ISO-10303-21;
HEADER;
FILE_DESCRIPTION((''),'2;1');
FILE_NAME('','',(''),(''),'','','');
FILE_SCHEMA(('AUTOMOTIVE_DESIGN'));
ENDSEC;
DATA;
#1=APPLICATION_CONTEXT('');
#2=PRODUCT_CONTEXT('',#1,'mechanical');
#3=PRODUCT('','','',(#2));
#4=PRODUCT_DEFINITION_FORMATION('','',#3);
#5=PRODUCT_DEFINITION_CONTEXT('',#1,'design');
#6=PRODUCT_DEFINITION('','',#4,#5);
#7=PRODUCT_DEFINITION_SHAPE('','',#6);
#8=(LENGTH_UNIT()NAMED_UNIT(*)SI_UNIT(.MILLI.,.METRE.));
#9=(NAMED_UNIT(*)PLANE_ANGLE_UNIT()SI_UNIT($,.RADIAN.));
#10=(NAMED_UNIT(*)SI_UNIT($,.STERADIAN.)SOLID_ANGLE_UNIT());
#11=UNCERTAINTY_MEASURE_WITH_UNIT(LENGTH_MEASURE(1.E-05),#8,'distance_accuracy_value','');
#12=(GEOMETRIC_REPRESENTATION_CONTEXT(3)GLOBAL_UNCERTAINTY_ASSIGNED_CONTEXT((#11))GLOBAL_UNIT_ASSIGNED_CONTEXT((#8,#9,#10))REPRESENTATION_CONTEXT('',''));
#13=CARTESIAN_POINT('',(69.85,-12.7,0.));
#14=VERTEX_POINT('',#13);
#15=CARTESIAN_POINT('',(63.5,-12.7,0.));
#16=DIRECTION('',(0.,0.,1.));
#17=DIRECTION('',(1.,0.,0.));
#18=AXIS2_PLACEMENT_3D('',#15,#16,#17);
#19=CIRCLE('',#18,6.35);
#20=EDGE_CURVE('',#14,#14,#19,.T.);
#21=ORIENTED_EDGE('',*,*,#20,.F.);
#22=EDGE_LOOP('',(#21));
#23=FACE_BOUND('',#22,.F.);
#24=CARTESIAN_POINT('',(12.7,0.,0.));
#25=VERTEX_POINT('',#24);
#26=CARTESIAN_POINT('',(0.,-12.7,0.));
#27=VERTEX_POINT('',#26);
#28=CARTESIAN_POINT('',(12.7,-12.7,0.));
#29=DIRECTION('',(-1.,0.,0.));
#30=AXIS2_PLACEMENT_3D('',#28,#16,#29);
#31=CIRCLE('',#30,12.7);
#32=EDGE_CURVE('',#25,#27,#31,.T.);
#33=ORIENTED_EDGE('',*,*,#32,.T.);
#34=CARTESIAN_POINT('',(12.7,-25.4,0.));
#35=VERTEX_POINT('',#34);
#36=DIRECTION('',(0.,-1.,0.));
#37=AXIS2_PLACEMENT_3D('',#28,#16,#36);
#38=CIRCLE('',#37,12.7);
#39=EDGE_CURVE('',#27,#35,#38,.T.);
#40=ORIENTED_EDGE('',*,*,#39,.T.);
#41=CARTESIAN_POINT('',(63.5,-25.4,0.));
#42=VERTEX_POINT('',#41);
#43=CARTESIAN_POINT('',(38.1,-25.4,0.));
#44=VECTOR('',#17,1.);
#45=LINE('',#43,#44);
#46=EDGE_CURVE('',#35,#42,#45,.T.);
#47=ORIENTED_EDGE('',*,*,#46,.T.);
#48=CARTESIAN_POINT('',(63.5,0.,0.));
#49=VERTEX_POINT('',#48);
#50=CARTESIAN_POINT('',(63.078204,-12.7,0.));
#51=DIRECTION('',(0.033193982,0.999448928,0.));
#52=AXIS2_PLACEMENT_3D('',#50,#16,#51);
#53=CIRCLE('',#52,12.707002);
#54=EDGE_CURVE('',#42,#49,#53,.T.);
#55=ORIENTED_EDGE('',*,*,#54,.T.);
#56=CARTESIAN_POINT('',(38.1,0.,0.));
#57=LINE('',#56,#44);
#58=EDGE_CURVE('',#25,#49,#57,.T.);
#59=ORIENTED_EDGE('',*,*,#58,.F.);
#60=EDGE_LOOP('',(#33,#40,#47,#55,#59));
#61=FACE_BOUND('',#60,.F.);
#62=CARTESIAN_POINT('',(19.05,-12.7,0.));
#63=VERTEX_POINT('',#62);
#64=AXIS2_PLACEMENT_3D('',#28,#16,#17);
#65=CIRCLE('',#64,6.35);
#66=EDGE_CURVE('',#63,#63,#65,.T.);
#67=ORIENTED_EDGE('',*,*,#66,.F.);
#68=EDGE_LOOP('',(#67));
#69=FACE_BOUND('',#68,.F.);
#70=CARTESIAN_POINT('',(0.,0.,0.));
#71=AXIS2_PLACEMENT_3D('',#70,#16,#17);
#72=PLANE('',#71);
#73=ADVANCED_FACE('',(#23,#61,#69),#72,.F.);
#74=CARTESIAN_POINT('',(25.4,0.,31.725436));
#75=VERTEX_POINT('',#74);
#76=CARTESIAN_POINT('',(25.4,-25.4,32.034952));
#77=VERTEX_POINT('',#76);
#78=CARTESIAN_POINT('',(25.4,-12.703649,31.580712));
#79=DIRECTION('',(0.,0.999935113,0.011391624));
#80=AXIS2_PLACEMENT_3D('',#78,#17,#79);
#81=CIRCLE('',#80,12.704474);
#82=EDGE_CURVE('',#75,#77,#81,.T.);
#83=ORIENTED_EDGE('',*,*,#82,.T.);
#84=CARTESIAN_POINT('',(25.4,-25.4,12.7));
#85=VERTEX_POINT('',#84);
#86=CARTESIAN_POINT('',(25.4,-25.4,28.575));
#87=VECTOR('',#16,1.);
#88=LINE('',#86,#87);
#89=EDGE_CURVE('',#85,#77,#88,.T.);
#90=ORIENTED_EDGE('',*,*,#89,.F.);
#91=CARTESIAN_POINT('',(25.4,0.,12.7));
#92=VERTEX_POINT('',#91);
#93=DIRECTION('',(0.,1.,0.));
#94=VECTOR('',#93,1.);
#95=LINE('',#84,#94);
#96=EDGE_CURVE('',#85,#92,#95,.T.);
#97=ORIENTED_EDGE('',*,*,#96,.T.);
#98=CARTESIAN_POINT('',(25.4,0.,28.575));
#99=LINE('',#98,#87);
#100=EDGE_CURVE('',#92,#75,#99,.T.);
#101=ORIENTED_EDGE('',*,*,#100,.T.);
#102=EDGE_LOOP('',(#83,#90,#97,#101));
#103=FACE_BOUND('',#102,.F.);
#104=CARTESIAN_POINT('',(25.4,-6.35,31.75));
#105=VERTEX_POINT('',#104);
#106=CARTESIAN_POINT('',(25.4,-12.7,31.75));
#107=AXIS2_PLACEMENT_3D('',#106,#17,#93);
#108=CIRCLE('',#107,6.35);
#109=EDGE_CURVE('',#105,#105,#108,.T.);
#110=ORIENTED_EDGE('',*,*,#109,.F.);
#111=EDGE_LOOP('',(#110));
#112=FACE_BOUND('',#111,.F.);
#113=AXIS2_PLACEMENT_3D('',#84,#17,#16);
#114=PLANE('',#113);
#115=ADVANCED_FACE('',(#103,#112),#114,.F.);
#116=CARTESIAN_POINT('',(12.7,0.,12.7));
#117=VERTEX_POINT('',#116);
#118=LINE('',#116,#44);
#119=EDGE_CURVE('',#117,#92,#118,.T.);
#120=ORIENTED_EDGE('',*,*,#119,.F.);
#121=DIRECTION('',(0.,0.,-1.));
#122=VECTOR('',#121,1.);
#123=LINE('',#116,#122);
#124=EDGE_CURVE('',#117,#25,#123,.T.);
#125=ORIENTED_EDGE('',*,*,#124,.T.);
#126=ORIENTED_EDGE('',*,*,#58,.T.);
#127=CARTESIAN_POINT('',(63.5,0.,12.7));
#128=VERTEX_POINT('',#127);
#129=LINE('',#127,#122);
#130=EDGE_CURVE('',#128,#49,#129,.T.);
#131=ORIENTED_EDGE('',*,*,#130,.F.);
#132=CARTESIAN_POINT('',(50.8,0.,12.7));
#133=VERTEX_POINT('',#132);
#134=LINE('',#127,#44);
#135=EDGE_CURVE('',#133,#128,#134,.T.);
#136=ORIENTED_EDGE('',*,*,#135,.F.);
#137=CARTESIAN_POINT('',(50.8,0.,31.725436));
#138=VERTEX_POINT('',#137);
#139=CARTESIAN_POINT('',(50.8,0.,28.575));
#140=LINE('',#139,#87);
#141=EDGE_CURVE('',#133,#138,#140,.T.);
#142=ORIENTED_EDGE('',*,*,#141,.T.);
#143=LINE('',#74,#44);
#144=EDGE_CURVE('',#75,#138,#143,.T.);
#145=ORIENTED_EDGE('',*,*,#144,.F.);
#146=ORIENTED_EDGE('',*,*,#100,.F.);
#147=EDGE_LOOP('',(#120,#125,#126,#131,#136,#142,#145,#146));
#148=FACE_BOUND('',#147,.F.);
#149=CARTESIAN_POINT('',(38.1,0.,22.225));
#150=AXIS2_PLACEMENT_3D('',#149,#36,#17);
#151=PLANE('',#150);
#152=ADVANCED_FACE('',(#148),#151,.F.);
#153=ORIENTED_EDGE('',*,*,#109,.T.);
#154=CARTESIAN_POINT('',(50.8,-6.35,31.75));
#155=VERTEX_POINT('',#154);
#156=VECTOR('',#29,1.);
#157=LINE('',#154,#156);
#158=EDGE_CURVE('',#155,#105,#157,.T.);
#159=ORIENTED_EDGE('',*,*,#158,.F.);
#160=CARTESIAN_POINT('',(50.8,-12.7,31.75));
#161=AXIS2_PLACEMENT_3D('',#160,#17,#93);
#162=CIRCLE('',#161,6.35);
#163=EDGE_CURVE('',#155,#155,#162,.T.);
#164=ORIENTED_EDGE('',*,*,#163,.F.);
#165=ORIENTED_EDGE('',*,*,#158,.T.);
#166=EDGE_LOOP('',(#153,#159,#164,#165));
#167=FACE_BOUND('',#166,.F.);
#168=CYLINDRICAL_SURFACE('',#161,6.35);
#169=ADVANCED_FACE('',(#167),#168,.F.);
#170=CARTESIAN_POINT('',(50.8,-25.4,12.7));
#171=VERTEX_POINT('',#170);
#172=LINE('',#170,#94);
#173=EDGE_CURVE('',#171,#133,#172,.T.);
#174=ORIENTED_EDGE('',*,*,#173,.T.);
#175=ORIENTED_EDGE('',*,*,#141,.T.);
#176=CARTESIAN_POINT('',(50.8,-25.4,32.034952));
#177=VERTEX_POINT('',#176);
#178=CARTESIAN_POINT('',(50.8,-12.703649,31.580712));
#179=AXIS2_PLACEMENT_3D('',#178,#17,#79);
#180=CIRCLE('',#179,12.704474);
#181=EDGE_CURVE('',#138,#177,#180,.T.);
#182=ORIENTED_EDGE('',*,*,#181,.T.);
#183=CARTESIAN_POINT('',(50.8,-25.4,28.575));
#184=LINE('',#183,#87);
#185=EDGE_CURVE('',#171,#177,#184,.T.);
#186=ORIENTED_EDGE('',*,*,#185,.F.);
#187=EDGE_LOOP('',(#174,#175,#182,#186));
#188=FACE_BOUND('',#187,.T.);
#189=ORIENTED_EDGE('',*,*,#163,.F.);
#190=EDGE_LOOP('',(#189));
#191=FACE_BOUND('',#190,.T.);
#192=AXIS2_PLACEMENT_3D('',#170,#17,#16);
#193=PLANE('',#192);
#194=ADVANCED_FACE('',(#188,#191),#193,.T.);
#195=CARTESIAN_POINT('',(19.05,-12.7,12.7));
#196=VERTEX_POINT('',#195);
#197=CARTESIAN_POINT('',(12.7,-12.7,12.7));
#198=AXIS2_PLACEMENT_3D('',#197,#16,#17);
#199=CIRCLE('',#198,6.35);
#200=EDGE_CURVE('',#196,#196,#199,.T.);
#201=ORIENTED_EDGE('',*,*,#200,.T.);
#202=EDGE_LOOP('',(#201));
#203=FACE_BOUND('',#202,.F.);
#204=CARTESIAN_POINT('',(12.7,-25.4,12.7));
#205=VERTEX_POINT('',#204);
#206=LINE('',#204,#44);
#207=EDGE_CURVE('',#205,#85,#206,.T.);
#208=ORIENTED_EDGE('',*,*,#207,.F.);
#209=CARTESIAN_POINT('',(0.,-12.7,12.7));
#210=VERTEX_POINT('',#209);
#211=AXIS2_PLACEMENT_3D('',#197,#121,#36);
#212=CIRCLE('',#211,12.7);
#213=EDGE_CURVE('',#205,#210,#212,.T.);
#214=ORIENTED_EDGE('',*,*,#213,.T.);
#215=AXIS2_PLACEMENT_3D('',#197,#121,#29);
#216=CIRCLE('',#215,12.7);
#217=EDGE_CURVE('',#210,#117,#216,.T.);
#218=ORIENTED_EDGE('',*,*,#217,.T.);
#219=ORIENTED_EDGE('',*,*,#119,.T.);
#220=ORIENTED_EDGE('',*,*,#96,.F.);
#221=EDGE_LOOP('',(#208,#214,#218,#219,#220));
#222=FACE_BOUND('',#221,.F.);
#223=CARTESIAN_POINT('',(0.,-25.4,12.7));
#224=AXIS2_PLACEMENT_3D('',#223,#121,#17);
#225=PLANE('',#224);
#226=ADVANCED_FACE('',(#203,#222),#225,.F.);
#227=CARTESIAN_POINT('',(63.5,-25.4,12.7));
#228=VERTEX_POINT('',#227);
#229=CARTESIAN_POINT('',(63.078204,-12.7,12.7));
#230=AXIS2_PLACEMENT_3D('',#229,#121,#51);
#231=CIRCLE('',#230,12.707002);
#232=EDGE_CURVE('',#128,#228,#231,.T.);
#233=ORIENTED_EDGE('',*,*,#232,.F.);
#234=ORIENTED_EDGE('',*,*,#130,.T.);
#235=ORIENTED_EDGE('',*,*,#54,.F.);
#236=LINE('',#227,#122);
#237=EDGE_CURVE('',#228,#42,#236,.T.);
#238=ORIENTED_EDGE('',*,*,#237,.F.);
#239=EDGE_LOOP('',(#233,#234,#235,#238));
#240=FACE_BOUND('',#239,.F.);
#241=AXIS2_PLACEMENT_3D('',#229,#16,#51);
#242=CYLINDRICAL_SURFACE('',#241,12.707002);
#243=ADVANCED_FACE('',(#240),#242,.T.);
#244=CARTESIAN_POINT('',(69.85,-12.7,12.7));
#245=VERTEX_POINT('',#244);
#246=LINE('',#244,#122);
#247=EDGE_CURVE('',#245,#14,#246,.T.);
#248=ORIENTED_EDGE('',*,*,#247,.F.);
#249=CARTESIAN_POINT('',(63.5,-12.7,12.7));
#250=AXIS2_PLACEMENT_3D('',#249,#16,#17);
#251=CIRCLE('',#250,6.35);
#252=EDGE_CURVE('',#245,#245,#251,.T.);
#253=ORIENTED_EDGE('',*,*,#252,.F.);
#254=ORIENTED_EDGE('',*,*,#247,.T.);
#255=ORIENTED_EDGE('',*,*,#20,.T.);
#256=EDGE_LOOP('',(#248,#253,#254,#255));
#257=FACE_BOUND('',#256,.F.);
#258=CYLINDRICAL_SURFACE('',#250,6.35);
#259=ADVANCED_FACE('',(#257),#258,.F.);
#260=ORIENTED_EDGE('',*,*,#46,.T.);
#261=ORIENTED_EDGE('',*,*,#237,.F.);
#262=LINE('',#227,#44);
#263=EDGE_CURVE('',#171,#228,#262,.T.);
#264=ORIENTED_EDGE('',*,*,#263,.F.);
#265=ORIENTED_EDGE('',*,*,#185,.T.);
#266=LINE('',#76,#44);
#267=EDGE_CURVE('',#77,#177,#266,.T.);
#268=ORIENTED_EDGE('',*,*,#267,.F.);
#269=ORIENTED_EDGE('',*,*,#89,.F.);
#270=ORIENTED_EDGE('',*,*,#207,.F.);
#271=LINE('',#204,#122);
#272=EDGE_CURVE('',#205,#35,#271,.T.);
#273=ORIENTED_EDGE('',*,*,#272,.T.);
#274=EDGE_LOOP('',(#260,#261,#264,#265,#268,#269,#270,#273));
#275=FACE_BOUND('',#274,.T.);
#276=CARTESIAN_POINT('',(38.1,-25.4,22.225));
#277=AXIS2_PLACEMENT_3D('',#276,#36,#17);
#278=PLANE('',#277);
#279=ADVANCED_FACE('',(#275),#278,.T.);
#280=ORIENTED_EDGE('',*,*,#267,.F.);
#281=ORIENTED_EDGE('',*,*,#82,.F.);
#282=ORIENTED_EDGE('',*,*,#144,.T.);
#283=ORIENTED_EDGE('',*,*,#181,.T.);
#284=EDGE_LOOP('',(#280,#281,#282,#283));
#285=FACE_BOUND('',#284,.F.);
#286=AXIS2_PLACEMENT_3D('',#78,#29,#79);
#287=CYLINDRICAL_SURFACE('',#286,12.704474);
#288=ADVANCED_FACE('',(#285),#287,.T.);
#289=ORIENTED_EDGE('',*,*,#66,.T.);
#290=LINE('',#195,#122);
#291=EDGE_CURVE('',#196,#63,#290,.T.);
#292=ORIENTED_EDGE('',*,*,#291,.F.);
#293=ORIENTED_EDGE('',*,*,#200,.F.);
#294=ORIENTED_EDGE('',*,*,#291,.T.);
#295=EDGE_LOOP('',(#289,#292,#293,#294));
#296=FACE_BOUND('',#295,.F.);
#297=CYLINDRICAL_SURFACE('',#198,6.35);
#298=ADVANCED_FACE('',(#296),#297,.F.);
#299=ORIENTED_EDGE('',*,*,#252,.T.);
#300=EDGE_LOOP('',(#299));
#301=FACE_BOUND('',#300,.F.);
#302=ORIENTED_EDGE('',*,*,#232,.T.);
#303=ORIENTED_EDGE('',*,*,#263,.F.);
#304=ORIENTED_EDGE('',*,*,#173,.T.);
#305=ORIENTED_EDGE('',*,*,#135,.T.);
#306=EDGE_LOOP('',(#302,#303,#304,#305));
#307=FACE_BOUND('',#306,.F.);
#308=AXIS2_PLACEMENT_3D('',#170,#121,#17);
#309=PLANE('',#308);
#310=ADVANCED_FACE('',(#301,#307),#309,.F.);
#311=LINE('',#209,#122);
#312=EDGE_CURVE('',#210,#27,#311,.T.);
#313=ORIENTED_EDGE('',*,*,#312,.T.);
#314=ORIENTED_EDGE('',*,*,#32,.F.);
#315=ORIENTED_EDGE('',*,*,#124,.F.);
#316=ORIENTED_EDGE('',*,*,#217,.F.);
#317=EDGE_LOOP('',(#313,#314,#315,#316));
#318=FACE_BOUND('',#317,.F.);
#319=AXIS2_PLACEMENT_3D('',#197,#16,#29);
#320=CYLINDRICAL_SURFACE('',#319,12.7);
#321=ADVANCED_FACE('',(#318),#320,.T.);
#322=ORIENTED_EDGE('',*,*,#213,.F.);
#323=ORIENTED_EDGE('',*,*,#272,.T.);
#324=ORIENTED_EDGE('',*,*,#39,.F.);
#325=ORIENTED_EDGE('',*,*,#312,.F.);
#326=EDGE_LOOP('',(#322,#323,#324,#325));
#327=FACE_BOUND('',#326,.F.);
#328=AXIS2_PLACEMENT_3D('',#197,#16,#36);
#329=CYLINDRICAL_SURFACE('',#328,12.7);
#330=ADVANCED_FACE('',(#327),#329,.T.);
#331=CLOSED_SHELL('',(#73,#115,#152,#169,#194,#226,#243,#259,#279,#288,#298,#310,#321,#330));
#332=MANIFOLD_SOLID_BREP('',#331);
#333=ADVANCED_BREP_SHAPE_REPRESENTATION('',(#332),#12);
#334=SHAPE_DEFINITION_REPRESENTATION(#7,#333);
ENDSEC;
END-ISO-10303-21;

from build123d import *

# Parameters (mm, degrees)
F0_W      = 76.2
F0_H      = 44.45
F1_DEPTH  = 25.4
F2_W      = 25.4
F2_H      = 31.75
F3_DEPTH  = 25.4
F4_R      = 6.35
F5_DEPTH  = 25.4
F6_R      = 6.35
F7_DEPTH  = 25.4
F9_DEPTH  = 25.4
F11_DEPTH = 25.4
F13_DEPTH = 25.4


with BuildPart() as f1:
    # F0 (on Front) → F1 (new body)
    with BuildSketch(Plane.XZ):
        with Locations((38.1, 22.225)):
            Rectangle(F0_W, F0_H)
    extrude(amount=F1_DEPTH)

    # F2 (on face) → F3 (cut)
    with BuildSketch(Plane.XZ.offset(25.4)):
        with Locations((12.7, 28.575)):
            Rectangle(F2_W, F2_H)
        with Locations((63.5, 28.575)):
            Rectangle(F2_W, F2_H)
    extrude(amount=-F3_DEPTH, mode=Mode.SUBTRACT)

    # F4 (on face) → F5 (cut)
    with BuildSketch(Plane.YZ.offset(50.8)):
        with Locations((-12.7, 31.75)):
            Circle(F4_R)
    extrude(amount=-F5_DEPTH, mode=Mode.SUBTRACT)

    # F6 (on face) → F7 (cut)
    with BuildSketch(Plane.XY.offset(12.7)):
        with Locations((12.7, -12.7)):
            Circle(F6_R)
        with Locations((63.5, -12.7)):
            Circle(F6_R)
    extrude(amount=-F7_DEPTH, mode=Mode.SUBTRACT)

    # F8 (on face) → F9 (cut)
    with BuildSketch(Plane.XY.offset(12.7)):
        with BuildLine():
            ThreePointArc((0, -12.7), (3.7197438789, -3.7197438789), (12.7, 0))
            Line((12.7, 0), (0, 0))
            Line((0, 0), (0, -12.7))
        make_face()
        with BuildLine():
            ThreePointArc((12.7, -25.4), (3.7197438789, -21.6802561211), (0, -12.7))
            Line((0, -12.7), (0, -25.4))
            Line((0, -25.4), (12.7, -25.4))
        make_face()
    extrude(amount=-F9_DEPTH, mode=Mode.SUBTRACT)

    # F10 (on face) → F11 (cut)
    with BuildSketch(Plane.XY.offset(12.7)):
        with BuildLine():
            ThreePointArc((63.5, 0), (75.7852064607, -12.7), (63.5, -25.4))
            Line((63.5, -25.4), (76.2, -25.4))
            Line((76.2, -25.4), (76.2, 0))
            Line((76.2, 0), (63.5, 0))
        make_face()
    extrude(amount=-F11_DEPTH, mode=Mode.SUBTRACT)

    # F12 (on face) → F13 (cut)
    with BuildSketch(Plane(origin=(25.4, 0, 0), x_dir=(0, -1, 0), z_dir=(-1, 0, 0))):
        with BuildLine():
            ThreePointArc((0, 31.7254364491), (12.5488484963, 44.2842424577), (25.4, 32.0349521935))
            Line((25.4, 32.0349521935), (25.4, 44.45))
            Line((25.4, 44.45), (0, 44.45))
            Line((0, 44.45), (0, 31.7254364491))
        make_face()
    extrude(amount=-F13_DEPTH, mode=Mode.SUBTRACT)


solid = f1.part
